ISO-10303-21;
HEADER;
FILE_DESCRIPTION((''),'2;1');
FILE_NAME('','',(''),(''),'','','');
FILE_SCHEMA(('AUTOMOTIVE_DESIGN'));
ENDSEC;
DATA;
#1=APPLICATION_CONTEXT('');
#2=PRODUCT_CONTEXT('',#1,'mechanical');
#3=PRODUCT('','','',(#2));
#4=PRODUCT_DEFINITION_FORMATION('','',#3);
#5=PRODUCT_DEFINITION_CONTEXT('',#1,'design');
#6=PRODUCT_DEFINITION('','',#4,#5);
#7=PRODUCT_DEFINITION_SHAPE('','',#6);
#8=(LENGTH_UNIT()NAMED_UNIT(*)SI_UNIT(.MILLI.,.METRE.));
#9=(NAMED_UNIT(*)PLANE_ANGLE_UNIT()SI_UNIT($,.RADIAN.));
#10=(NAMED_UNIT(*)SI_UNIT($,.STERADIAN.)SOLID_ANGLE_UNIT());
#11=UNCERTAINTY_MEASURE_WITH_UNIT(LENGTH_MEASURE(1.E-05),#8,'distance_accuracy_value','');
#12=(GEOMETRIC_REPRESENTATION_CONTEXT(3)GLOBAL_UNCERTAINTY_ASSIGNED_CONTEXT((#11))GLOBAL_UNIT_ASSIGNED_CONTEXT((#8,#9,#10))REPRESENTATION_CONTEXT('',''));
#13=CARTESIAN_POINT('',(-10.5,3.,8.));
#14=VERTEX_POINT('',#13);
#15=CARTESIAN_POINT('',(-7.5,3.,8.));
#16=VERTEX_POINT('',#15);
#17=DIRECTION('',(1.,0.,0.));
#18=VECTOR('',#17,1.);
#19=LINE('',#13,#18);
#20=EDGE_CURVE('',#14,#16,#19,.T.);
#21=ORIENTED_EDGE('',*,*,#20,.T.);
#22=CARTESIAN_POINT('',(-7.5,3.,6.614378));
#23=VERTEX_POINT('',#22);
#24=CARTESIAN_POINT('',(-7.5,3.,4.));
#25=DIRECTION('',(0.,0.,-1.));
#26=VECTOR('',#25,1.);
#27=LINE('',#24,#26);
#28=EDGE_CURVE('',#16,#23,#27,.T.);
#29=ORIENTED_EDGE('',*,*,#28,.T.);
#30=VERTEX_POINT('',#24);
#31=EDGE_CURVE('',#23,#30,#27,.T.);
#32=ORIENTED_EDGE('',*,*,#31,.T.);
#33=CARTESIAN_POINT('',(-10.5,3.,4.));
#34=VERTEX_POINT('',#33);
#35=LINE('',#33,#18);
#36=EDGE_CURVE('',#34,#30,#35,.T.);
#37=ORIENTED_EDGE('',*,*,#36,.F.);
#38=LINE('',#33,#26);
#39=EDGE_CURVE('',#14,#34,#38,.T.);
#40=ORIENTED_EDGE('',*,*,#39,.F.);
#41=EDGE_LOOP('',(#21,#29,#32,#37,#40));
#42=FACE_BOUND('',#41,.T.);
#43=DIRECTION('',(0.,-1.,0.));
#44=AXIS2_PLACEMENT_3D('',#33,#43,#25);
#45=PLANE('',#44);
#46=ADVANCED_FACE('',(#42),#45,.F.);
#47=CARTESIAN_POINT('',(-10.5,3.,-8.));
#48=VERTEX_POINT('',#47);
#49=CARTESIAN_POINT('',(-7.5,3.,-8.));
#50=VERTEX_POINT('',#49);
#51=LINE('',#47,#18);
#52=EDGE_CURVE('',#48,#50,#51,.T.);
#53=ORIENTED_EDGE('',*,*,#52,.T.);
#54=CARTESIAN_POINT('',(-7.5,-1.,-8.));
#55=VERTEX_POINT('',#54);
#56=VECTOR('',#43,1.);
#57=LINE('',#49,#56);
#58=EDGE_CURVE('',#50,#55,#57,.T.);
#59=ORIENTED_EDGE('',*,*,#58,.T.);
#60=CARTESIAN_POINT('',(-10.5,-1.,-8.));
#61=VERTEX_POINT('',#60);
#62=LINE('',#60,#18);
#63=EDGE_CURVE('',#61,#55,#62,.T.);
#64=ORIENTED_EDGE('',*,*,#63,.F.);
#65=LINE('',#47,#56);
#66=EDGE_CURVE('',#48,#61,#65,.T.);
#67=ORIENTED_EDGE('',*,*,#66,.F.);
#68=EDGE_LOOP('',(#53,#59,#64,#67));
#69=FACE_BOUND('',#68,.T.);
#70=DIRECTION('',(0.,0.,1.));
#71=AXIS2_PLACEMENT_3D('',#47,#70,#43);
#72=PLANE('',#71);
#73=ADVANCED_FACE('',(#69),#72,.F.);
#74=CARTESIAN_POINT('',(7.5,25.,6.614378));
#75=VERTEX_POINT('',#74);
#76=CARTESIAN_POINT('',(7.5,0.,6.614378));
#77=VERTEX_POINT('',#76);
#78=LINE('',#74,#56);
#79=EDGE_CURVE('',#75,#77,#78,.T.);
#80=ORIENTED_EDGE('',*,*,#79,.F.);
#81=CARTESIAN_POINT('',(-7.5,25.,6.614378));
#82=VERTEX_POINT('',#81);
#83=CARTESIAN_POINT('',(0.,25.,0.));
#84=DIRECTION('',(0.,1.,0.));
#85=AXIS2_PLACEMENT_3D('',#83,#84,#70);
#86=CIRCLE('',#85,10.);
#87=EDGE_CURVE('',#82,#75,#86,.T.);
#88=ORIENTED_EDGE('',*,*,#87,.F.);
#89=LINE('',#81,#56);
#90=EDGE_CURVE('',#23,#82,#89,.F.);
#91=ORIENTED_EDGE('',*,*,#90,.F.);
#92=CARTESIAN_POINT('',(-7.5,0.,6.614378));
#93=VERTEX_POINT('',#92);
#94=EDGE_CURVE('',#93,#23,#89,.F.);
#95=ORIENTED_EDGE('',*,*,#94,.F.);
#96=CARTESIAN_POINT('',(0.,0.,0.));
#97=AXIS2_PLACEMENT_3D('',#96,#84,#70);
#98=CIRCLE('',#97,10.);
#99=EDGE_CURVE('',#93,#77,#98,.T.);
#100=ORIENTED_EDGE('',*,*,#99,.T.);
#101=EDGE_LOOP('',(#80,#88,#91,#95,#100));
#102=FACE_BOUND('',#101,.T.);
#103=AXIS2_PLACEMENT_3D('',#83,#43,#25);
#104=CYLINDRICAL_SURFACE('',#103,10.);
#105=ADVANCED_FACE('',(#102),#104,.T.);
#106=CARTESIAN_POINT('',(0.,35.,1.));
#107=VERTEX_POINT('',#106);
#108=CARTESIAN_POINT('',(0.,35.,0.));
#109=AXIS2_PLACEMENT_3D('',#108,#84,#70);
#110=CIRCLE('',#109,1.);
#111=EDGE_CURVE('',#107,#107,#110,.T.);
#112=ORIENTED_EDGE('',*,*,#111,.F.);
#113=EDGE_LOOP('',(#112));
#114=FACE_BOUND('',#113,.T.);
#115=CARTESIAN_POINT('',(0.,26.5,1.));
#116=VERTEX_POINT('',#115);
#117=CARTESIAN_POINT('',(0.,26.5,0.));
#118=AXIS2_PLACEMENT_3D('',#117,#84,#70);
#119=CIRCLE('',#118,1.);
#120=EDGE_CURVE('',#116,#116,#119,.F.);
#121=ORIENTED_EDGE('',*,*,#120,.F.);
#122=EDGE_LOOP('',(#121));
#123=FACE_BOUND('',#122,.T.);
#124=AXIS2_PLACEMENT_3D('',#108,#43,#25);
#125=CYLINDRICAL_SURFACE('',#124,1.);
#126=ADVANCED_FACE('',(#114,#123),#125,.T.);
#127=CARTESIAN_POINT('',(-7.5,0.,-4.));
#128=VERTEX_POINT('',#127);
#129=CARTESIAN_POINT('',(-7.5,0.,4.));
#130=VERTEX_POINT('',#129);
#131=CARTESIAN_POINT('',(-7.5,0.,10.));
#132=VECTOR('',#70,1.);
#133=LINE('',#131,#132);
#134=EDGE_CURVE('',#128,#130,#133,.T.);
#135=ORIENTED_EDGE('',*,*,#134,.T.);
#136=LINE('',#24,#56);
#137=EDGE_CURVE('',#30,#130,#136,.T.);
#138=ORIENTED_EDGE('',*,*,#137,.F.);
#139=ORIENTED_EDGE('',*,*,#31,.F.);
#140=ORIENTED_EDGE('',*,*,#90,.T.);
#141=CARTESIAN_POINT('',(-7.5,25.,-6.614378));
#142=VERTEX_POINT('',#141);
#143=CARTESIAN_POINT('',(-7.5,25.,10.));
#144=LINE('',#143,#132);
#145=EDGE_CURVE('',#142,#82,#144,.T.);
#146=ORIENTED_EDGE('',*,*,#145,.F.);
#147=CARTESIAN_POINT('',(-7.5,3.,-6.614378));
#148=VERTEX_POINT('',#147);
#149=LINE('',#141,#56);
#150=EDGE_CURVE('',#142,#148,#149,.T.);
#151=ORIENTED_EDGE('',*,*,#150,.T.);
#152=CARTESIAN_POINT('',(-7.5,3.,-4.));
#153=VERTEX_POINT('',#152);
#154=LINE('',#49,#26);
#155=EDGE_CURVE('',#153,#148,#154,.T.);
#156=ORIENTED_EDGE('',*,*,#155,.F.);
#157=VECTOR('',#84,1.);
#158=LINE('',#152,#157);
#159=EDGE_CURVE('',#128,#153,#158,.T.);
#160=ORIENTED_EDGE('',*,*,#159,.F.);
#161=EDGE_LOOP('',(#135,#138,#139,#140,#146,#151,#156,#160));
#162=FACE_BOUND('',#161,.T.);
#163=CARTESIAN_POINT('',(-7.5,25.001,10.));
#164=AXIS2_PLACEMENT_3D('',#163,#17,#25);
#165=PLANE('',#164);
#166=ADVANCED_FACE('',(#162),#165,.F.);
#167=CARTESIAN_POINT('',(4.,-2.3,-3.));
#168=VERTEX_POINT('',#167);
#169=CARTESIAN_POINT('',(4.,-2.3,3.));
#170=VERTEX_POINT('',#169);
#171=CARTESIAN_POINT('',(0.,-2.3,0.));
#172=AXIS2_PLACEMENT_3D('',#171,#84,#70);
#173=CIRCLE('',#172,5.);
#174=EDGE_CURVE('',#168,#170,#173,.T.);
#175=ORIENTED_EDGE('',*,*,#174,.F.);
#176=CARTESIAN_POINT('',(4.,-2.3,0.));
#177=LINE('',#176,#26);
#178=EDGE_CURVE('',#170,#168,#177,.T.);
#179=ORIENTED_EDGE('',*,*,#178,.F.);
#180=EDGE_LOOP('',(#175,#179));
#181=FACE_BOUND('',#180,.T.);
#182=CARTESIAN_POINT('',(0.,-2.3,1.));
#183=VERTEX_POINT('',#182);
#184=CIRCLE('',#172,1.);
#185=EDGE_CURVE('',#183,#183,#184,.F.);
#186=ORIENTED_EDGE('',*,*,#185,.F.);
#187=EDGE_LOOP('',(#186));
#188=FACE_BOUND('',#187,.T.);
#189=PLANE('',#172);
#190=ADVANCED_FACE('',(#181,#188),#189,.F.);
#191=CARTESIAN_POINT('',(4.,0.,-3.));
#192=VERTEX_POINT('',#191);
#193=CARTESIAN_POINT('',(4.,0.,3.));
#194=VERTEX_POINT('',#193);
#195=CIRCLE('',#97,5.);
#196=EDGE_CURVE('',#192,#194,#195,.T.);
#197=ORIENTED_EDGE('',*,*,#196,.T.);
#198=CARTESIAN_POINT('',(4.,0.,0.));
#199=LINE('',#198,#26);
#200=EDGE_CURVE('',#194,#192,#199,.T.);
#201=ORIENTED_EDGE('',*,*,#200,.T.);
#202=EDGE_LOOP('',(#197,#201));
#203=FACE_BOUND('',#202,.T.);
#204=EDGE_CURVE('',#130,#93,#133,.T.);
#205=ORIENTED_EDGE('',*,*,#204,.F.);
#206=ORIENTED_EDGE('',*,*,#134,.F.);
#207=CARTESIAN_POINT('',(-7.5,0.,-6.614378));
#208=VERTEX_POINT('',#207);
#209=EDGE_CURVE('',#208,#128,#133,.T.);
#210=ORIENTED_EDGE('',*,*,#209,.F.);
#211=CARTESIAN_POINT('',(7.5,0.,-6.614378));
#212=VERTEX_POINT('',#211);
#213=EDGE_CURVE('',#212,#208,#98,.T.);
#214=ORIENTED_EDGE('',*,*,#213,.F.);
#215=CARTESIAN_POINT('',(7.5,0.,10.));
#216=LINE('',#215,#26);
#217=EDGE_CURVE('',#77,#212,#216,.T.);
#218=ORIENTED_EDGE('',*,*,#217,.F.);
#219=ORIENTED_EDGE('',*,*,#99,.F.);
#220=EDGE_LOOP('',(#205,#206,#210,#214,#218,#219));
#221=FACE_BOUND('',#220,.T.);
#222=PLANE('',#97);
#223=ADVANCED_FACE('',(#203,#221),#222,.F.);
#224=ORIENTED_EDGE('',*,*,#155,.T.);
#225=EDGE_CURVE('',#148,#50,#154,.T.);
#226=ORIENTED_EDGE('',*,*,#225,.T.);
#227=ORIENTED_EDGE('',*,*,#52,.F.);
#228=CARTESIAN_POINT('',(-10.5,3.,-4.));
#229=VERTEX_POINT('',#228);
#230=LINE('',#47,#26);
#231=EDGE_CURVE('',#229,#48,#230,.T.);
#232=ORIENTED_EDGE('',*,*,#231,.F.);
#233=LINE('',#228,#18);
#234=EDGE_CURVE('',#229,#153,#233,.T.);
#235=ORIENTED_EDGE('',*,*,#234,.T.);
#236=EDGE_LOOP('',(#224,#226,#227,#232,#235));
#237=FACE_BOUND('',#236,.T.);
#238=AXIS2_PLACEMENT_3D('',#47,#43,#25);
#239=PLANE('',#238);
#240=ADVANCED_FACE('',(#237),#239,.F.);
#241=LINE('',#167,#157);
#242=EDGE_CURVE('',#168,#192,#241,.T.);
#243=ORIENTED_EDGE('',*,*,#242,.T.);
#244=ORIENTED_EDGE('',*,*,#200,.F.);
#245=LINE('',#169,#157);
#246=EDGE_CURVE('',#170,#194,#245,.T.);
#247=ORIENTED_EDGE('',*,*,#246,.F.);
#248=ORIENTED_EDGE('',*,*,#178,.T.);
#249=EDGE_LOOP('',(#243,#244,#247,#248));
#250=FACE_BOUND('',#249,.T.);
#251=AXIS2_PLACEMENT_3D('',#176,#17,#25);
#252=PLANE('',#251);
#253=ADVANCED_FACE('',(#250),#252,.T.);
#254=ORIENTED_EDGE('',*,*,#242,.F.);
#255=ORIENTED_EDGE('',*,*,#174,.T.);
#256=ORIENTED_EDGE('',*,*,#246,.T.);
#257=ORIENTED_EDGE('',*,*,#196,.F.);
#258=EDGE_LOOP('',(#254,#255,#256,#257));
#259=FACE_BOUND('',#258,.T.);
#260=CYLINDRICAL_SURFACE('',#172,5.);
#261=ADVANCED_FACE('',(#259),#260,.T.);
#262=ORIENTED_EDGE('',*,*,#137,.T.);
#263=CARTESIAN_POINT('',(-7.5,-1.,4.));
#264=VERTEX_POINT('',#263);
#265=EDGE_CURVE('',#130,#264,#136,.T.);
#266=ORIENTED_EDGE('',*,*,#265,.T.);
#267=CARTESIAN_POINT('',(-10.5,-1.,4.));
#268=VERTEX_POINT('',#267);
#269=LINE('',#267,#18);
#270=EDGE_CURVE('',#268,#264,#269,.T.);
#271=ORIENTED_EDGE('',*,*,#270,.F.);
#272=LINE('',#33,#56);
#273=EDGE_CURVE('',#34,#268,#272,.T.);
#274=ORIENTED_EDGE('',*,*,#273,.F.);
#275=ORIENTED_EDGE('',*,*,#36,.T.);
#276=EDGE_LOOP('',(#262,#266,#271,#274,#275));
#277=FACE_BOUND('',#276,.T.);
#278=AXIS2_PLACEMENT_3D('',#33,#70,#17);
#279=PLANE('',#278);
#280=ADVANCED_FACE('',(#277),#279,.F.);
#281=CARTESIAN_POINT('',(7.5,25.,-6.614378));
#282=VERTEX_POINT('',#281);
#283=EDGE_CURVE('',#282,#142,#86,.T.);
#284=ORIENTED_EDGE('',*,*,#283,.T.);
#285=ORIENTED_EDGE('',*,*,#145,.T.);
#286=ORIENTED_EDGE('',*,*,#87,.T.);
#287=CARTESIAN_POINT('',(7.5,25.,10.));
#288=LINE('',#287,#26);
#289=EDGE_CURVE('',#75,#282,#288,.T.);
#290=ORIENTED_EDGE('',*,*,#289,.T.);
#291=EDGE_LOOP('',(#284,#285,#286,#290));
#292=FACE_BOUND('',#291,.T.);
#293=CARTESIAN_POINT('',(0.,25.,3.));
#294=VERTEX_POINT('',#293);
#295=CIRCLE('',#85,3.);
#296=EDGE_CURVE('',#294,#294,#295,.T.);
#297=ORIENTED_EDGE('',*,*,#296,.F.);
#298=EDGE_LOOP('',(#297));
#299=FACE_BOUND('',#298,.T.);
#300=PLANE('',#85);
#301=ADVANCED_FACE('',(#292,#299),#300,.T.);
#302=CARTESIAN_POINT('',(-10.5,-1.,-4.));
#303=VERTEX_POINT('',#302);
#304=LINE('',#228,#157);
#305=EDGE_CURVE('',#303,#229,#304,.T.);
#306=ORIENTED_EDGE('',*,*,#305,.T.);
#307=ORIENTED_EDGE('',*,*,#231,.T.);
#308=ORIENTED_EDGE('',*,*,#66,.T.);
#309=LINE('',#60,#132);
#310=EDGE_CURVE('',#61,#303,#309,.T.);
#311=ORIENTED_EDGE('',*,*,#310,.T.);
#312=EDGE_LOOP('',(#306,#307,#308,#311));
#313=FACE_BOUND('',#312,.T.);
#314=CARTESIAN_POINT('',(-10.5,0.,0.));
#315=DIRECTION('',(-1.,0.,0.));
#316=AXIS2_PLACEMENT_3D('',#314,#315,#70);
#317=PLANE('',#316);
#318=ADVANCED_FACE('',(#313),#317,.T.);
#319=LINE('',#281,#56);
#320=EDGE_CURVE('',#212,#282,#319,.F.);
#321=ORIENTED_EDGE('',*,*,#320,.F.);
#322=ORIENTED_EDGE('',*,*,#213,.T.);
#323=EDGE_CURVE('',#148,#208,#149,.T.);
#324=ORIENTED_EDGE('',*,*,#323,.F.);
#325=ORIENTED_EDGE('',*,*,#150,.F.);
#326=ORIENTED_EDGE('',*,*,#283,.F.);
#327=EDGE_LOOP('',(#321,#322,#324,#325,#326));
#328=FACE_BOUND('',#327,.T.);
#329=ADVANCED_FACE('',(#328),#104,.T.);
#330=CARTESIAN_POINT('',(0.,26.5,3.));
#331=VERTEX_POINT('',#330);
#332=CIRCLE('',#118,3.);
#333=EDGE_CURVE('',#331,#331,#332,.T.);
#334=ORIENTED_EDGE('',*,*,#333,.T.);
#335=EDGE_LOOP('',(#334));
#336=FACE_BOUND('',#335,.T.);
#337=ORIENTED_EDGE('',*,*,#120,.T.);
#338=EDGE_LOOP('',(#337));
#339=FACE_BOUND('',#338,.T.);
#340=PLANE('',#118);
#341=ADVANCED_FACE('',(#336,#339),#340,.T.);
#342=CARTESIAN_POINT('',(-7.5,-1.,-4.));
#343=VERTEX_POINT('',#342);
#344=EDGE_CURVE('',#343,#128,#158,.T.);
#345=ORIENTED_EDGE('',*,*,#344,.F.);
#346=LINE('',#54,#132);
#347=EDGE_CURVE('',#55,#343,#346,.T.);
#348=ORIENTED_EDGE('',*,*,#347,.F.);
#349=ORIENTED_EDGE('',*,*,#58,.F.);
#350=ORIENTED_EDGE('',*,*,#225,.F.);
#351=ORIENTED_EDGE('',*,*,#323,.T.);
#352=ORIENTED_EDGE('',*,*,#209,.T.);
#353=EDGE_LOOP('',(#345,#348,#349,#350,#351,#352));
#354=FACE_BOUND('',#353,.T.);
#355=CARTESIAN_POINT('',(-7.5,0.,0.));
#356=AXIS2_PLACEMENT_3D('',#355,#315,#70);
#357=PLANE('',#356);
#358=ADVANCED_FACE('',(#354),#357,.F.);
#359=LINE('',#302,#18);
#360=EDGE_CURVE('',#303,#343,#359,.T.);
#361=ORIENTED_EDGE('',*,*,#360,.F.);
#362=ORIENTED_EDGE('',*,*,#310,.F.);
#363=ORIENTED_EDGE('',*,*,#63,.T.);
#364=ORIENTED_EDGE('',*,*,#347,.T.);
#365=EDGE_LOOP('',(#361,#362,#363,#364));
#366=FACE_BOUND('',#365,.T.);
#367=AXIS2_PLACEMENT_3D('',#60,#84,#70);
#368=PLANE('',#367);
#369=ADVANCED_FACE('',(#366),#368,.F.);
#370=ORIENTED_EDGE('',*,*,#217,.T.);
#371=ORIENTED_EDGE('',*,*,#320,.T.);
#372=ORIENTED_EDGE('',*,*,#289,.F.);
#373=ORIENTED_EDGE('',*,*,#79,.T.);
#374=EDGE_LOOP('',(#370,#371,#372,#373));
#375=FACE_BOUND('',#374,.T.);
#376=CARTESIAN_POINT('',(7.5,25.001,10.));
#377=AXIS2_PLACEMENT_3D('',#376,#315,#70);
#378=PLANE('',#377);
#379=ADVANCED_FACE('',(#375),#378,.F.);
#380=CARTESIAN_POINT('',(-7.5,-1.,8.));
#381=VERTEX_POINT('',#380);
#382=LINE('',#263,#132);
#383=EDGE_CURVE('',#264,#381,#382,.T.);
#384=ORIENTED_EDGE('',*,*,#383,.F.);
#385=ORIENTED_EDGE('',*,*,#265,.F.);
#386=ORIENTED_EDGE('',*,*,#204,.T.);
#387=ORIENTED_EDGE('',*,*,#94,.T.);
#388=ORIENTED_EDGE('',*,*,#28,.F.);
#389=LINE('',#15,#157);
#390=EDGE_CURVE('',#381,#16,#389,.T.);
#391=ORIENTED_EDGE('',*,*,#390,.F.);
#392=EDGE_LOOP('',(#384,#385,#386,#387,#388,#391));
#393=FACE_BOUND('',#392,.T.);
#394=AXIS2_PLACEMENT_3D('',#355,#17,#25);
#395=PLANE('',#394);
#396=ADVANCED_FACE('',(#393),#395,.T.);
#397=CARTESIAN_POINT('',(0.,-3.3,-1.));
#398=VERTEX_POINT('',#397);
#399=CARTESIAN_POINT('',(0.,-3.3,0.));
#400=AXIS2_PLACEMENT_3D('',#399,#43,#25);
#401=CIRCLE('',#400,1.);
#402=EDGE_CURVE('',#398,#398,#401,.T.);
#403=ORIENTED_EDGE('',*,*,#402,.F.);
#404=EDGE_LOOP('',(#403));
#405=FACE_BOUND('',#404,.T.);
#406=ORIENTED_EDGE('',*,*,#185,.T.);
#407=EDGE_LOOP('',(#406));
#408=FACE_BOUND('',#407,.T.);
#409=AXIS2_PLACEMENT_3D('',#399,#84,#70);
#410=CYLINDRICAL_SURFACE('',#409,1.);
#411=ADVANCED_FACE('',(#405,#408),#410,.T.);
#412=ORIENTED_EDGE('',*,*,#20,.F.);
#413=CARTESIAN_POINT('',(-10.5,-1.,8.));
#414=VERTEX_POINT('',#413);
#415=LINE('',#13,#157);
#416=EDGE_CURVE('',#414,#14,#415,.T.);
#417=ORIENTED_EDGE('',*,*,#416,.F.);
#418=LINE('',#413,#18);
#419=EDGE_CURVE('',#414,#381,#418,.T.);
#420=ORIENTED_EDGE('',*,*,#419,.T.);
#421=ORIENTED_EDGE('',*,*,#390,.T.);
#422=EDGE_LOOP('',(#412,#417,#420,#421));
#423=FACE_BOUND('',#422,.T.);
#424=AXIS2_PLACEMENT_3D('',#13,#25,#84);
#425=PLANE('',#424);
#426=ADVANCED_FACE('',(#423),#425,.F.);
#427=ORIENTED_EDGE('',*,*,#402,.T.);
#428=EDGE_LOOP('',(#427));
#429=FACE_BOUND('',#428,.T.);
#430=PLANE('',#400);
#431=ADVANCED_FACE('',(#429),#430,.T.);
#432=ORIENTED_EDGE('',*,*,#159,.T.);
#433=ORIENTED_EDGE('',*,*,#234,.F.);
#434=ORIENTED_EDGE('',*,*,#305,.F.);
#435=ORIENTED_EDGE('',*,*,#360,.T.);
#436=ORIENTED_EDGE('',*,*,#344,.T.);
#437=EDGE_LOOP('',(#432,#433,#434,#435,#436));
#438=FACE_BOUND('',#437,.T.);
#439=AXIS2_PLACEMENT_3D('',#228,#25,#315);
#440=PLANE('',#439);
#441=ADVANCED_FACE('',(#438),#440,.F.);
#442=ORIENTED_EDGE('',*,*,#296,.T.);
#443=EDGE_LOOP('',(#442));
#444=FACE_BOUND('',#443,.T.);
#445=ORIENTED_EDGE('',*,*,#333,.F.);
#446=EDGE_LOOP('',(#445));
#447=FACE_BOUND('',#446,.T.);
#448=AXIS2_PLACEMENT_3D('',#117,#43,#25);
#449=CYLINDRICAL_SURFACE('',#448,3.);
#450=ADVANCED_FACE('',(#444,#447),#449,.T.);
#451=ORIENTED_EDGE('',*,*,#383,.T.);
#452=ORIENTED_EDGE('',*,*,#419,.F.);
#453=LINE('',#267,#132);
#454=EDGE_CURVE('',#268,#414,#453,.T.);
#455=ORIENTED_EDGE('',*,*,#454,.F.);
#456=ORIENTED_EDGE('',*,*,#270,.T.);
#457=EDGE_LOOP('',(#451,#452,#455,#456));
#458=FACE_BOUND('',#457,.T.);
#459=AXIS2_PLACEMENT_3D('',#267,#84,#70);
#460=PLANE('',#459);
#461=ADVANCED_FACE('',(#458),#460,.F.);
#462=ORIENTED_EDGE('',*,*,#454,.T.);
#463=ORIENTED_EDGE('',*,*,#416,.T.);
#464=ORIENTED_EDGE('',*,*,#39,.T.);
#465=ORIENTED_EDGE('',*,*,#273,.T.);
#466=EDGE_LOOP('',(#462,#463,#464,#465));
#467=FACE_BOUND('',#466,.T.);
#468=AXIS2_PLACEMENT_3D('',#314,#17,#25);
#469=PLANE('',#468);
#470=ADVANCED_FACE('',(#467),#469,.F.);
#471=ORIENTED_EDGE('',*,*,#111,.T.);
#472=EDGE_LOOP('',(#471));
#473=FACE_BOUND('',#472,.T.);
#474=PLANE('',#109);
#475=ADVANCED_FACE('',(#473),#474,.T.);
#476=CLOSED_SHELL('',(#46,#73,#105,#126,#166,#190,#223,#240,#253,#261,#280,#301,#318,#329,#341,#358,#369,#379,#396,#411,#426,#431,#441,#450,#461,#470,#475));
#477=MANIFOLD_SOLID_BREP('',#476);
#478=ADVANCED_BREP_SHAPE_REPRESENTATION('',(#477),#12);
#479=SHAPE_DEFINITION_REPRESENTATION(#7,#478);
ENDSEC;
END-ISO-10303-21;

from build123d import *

# Parameters (mm, degrees)
SKETCH_1_R            = 10
EXTRUDE_1_DEPTH       = 25
CUT_EXTRUDE_2_1_REACH = 30.723
SKETCH_2_W            = 2.5
SKETCH_2_H            = 20
SKETCH_3_R            = 3
EXTRUDE_2_DEPTH       = 1.5
EXTRUDE_START         = -1.5
SKETCH_4_R            = 1
EXTRUDE_3_DEPTH       = 10
EXTRUDE_START_2       = -25
EXTRUDE_4_DEPTH       = 27.3
EXTRUDE_START_3       = 1
SKETCH_6_R            = 1
EXTRUDE_5_DEPTH       = 1
SKETCH_7_W            = 4
SKETCH_7_H            = 4
EXTRUDE_6_DEPTH       = 3


with BuildPart() as part:
    # 草图1 → 圆柱凸台-拉伸1 (new body)
    with BuildSketch(Plane(origin=(0, 0, 0), x_dir=(1, 0, 0), z_dir=(0, 1, 0))):
        with Locations(Location((0, 0, 0), (0, 0, 270))):
            Circle(SKETCH_1_R)
    extrude(amount=EXTRUDE_1_DEPTH)

    # 草图2 → 2边切除切除-拉伸1 (cut, up to next)
    with BuildSketch(Plane.XZ, mode=Mode.PRIVATE) as cut_extrude_2_1_sk1:
        with Locations((-8.75, 0)):
            Rectangle(SKETCH_2_W, SKETCH_2_H)
    cut_extrude_2_1_tool1 = extrude(cut_extrude_2_1_sk1.sketch, amount=-CUT_EXTRUDE_2_1_REACH, mode=Mode.PRIVATE) & part.part
    # 草图2 → 2边切除切除-拉伸1 (cut, up to next)
    with BuildSketch(Plane.XZ, mode=Mode.PRIVATE) as cut_extrude_2_1_sk2:
        with Locations((8.75, 0)):
            Rectangle(SKETCH_2_W, SKETCH_2_H)
    cut_extrude_2_1_tool2 = extrude(cut_extrude_2_1_sk2.sketch, amount=-CUT_EXTRUDE_2_1_REACH, mode=Mode.PRIVATE) & part.part
    add(cut_extrude_2_1_tool1.solids().sort_by_distance((-8.75, 0, 0))[0], mode=Mode.SUBTRACT)
    add(cut_extrude_2_1_tool2.solids().sort_by_distance((8.75, 0, 0))[0], mode=Mode.SUBTRACT)

    # 草图3 → 前转凸台-拉伸2 (add)
    with BuildSketch(Plane(origin=(0, 25, 0), x_dir=(1, 0, 0), z_dir=(0, 1, 0))):
        with Locations(Location((0, 0, 0), (0, 0, 270))):
            Circle(SKETCH_3_R)
    extrude(amount=EXTRUDE_2_DEPTH)

    # 草图4 → 前转杆凸台-拉伸3 (add)
    with BuildSketch(Plane(origin=(0, 26.5, 0), x_dir=(1, 0, 0), z_dir=(0, 1, 0)).offset(EXTRUDE_START)):
        with Locations(Location((0, 0, 0), (0, 0, 270))):
            Circle(SKETCH_4_R)
    extrude(amount=EXTRUDE_3_DEPTH)

    # 草图5 → 后转凸台-拉伸4 (add)
    with BuildSketch(Plane.XZ.offset(EXTRUDE_START_2)):
        with BuildLine():
            Line((4, 3), (4, -3))
            ThreePointArc((4, -3), (-5, 0), (4, 3))
        make_face()
    extrude(amount=EXTRUDE_4_DEPTH)

    # 草图6 → 后转杆凸台-拉伸5 (add)
    with BuildSketch(Plane.XZ.offset(2.3).offset(EXTRUDE_START_3)):
        with Locations(Location((0, 0, 0), (0, 0, 90))):
            Circle(SKETCH_6_R)
    extrude(amount=-EXTRUDE_5_DEPTH)

    # 草图7 → 引线凸台-拉伸6 (add)
    with BuildSketch(Plane.ZY.offset(7.5)):
        with Locations((-6, 1)):
            Rectangle(SKETCH_7_W, SKETCH_7_H)
        with Locations((6, 1)):
            Rectangle(SKETCH_7_W, SKETCH_7_H)
    extrude(amount=EXTRUDE_6_DEPTH)


solid = part.part
